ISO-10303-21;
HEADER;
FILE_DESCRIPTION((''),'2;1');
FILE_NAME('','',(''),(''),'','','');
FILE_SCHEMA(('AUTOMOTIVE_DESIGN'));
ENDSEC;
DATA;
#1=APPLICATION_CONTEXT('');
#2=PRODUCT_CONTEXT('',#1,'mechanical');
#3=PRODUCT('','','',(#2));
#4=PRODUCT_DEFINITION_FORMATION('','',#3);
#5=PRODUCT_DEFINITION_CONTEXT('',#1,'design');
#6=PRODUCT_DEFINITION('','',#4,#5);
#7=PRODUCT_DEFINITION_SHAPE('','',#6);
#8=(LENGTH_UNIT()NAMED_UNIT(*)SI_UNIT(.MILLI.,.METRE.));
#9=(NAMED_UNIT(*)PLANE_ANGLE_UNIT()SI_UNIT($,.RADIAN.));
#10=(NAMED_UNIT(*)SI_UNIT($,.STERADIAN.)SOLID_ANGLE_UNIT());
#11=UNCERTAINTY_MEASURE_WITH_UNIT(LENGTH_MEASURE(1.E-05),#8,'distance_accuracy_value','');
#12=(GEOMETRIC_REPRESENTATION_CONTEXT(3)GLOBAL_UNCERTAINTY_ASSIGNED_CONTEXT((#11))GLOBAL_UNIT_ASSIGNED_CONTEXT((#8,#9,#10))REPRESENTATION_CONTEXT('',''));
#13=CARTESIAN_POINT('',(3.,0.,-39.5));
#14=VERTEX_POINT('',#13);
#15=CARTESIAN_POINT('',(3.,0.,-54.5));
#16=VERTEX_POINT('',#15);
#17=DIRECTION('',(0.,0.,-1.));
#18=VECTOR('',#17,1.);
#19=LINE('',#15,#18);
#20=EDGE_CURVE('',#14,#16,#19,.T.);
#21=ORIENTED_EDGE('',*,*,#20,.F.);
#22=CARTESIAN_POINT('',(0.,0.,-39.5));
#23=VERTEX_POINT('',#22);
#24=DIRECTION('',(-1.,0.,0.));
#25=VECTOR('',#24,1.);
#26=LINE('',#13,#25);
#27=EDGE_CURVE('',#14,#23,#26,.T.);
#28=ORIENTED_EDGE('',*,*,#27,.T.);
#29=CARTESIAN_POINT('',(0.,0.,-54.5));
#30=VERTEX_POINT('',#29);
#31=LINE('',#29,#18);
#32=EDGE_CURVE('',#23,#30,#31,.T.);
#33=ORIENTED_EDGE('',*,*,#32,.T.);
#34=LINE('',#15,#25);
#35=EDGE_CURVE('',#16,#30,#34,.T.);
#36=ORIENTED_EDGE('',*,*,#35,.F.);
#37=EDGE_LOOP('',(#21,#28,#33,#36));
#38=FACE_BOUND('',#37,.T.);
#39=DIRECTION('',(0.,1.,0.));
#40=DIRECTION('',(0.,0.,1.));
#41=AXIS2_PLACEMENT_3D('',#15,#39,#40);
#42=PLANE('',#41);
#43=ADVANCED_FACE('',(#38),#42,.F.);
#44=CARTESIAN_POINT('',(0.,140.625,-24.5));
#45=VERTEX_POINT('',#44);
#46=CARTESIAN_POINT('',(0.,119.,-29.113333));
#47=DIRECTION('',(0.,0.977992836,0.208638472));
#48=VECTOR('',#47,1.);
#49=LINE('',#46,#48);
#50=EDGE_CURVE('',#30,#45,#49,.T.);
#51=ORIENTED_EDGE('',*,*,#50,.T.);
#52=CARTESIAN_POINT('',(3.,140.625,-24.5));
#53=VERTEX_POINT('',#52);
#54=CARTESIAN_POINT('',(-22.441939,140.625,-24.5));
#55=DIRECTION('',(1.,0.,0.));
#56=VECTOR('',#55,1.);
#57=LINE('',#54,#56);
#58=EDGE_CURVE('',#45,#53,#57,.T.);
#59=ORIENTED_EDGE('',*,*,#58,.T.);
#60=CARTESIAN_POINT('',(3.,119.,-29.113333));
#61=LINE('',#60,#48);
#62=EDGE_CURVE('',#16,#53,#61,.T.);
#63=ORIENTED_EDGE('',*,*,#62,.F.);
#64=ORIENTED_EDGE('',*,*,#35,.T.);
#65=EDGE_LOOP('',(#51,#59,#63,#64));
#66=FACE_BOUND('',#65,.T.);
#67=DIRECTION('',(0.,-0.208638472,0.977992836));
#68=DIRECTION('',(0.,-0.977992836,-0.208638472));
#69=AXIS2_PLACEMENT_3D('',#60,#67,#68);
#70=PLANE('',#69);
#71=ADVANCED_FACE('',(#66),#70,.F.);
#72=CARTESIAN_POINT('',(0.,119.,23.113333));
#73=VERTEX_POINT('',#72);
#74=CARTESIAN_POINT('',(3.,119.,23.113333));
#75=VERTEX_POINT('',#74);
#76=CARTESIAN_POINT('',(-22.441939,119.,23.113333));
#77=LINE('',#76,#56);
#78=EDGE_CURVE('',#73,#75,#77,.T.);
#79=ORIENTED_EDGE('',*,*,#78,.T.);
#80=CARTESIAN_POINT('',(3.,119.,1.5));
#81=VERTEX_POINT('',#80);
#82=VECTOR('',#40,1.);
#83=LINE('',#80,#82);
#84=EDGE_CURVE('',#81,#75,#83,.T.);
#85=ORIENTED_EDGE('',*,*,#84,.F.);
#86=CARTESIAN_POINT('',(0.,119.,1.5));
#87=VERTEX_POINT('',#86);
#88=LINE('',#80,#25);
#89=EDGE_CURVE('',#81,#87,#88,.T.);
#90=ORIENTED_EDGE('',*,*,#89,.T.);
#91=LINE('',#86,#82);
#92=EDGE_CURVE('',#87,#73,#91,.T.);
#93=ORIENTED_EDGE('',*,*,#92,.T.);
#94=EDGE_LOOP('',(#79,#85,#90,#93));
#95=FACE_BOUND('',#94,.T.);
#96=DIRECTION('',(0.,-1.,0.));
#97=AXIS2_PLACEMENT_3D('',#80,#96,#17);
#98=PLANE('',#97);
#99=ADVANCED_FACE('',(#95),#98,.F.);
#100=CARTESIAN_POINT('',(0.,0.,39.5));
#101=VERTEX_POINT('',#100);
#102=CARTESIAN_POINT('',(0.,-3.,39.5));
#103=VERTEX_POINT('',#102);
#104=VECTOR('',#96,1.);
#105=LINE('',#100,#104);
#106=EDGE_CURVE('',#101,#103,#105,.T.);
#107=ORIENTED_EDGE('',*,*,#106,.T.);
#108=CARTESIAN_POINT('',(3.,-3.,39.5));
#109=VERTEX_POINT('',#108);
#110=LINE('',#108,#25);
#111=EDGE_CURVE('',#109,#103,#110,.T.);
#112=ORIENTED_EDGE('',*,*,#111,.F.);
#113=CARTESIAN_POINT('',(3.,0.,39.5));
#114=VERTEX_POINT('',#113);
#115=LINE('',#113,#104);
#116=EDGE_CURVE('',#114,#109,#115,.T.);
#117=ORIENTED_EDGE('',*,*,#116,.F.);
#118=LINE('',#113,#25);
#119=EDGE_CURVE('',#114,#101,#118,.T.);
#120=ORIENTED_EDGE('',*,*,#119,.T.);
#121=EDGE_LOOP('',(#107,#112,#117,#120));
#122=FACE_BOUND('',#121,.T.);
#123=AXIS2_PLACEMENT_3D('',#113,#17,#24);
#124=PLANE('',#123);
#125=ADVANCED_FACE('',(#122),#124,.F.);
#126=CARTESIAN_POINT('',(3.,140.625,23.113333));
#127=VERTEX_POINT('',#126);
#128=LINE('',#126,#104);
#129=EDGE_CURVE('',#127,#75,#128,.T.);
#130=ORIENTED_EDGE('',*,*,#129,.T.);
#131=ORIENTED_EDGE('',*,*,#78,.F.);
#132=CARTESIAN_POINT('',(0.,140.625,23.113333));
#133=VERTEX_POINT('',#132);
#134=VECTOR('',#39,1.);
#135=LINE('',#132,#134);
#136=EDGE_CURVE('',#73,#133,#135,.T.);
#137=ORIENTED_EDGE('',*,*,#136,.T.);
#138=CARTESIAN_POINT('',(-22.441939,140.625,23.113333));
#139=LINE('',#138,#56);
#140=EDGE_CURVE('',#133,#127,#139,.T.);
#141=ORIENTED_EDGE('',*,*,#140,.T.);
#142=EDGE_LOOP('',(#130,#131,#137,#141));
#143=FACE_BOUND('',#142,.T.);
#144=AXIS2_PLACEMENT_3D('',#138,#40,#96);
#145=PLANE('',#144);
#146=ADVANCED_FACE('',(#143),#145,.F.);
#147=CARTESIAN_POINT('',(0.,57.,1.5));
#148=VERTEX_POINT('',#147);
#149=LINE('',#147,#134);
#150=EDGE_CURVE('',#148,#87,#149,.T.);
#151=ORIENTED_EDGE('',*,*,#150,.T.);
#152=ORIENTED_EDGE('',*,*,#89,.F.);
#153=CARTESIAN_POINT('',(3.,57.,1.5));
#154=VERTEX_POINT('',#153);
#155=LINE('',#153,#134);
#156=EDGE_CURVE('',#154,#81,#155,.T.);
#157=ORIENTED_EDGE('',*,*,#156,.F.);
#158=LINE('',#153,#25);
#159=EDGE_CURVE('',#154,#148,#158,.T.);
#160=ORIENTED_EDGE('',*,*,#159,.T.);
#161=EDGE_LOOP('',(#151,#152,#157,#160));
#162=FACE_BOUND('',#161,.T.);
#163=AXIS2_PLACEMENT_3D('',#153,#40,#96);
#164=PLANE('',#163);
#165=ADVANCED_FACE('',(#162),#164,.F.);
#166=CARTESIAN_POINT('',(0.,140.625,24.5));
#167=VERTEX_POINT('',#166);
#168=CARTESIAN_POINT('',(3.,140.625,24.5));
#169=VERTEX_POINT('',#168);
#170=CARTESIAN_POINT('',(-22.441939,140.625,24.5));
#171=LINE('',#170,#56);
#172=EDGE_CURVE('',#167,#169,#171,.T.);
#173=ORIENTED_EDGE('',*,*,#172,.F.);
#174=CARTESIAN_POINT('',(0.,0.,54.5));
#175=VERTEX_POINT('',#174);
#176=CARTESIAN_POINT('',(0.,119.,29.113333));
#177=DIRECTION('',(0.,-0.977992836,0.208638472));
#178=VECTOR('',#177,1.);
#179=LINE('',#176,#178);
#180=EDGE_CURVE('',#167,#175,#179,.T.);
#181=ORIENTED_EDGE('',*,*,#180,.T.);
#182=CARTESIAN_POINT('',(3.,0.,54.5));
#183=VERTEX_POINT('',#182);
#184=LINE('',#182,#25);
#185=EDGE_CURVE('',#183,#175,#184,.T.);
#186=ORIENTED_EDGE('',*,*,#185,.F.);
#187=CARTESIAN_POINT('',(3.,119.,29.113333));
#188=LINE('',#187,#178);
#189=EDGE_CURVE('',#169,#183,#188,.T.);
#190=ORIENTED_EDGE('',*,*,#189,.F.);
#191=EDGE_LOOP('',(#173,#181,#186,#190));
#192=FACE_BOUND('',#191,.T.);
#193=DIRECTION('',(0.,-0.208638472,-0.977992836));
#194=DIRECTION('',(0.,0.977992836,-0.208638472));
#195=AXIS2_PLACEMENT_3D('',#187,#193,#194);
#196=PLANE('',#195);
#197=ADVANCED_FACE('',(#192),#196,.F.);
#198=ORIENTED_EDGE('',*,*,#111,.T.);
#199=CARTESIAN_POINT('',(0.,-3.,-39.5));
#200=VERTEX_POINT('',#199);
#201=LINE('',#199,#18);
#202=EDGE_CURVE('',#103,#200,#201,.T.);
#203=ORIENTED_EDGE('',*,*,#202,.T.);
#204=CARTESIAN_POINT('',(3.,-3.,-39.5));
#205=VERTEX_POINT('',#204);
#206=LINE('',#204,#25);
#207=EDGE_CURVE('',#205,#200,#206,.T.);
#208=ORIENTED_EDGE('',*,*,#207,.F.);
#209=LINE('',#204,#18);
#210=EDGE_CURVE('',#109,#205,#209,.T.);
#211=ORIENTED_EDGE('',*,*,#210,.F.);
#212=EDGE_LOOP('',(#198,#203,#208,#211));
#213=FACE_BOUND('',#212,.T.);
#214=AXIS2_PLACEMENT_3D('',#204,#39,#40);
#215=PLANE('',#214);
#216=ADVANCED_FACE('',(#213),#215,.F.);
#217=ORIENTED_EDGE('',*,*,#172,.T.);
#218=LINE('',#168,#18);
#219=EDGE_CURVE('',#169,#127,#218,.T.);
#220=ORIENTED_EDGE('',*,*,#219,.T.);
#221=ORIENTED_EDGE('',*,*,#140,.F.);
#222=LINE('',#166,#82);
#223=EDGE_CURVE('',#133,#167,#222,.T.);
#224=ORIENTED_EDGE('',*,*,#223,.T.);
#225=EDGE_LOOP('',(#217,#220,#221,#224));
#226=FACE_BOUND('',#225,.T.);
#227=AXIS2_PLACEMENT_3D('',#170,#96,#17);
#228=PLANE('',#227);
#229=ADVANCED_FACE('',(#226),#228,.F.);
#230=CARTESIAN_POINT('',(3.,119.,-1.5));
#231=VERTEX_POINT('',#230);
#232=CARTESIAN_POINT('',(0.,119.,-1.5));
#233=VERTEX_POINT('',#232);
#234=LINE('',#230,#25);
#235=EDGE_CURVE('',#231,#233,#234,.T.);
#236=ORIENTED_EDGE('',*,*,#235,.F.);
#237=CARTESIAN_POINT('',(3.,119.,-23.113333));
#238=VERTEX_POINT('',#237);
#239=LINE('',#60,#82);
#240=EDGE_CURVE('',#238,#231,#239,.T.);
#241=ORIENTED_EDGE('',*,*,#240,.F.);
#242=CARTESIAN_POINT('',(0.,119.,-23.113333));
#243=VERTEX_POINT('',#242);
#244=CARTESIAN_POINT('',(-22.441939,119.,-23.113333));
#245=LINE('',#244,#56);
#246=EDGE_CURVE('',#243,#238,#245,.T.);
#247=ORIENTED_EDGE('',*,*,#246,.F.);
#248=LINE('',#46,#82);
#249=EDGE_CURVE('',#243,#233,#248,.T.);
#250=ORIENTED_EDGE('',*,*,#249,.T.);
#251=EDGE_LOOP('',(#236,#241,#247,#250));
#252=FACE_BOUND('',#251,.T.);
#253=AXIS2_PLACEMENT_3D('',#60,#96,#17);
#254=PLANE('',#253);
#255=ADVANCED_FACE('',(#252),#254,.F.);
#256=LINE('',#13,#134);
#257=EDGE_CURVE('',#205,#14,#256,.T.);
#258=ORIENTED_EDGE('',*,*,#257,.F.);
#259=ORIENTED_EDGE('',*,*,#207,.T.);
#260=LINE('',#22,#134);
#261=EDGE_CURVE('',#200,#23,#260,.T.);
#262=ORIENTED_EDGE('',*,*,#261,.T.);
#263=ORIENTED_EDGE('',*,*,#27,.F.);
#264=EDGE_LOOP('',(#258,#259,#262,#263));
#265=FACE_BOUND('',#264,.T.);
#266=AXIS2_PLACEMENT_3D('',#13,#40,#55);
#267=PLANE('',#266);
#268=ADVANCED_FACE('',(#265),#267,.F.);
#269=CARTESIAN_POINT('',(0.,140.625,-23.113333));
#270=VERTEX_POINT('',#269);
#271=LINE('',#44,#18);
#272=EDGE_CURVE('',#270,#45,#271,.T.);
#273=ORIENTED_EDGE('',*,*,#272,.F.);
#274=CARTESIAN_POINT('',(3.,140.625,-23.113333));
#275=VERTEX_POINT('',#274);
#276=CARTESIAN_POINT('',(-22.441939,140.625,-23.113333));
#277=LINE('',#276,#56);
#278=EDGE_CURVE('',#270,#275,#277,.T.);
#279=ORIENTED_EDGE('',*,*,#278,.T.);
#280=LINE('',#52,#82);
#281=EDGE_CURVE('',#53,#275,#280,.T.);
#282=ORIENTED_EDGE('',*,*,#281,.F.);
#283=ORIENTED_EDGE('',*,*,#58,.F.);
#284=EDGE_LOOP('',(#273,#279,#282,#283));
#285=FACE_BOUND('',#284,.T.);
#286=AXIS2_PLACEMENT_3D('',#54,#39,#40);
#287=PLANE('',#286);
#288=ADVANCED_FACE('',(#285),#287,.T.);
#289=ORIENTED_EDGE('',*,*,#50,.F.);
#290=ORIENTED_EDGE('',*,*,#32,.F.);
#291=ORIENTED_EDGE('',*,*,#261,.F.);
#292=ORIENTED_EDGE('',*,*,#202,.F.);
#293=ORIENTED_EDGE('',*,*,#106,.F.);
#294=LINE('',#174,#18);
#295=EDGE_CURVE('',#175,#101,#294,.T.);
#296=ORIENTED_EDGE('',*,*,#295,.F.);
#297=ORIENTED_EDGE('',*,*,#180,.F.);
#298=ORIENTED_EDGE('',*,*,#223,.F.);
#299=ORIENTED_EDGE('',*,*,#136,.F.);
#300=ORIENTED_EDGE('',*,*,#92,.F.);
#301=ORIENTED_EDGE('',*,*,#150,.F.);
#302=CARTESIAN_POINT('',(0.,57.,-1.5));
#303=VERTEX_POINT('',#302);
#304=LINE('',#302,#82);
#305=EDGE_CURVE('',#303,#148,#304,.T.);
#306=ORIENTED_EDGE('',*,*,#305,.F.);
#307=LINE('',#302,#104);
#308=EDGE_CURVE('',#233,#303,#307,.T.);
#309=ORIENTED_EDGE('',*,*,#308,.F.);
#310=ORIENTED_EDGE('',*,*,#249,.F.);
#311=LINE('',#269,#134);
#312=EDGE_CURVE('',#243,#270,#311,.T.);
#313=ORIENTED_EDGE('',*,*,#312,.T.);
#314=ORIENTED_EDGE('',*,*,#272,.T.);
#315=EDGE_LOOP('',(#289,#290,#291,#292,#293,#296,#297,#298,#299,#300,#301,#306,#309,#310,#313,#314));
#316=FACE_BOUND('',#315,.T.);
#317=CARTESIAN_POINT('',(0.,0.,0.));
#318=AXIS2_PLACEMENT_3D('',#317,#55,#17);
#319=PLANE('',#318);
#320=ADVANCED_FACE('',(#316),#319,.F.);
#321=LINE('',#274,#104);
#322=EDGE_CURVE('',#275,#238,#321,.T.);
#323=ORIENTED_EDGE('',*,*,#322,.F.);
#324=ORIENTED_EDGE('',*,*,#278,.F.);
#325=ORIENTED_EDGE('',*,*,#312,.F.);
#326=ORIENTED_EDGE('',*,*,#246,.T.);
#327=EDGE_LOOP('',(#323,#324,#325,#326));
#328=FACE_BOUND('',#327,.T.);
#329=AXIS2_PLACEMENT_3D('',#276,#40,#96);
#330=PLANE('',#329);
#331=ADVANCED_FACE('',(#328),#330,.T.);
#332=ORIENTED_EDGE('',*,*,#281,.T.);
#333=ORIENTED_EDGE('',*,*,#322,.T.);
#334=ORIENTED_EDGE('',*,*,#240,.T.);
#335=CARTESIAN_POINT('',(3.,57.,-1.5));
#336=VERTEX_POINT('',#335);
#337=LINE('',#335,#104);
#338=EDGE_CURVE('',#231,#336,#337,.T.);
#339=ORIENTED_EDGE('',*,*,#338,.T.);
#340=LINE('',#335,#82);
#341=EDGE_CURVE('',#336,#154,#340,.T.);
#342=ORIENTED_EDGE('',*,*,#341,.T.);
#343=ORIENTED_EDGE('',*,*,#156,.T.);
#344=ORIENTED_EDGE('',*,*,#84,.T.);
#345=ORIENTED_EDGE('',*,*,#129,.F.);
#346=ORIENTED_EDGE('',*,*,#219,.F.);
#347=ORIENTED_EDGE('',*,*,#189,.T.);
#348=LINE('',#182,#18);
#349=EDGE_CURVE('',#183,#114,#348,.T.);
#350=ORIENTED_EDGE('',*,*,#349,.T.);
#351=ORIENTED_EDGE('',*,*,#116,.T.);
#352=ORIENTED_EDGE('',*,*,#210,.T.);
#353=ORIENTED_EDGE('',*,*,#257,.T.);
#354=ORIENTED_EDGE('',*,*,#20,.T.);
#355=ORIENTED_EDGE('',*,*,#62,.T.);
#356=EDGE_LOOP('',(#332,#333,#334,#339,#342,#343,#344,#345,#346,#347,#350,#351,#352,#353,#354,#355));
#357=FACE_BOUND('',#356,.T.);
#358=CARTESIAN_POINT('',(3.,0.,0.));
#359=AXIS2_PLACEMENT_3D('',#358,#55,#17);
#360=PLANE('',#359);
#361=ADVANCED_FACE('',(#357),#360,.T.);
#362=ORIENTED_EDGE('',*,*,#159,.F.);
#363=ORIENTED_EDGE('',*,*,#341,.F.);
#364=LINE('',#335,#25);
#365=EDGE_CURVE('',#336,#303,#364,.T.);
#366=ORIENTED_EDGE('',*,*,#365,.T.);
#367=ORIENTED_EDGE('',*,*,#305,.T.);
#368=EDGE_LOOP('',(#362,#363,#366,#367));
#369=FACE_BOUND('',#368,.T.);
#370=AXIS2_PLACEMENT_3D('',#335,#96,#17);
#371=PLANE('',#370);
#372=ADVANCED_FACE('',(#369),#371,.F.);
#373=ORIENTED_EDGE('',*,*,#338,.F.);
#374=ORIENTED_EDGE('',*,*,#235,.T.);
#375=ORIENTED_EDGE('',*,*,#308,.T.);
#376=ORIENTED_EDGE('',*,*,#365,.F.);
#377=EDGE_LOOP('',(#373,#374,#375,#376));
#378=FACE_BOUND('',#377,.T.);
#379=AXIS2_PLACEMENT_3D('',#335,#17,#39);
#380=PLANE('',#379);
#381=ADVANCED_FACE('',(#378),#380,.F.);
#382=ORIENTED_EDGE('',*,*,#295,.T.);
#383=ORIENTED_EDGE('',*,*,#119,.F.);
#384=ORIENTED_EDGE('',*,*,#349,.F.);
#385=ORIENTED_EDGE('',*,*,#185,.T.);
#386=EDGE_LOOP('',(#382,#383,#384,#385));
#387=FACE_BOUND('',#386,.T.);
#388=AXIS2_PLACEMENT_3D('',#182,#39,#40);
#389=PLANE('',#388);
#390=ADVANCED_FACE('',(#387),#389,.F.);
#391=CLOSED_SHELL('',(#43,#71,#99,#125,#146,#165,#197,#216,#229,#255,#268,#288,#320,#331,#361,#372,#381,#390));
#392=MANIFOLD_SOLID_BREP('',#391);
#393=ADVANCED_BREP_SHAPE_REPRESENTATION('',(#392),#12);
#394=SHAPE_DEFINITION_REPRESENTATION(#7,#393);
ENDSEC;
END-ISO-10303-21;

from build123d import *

# Parameters (mm, degrees)
EXTRUDE_1_DEPTH     = 3
BOSS_EXTRUDE1_DEPTH = 3


with BuildPart() as part:
    # Эскиз1 → Бобышка-Вытянуть1 (new body)
    with BuildSketch(Plane(origin=(0, 0, 0), x_dir=(0, 0, -1), z_dir=(1, 0, 0))):
        Polygon((29.113333333, 119), (54.5, 0), (39.5, 0), (39.5, -3), (-39.5, -3), (-39.5, 0), (-54.5, 0), (-29.113333333, 119), (-1.5, 119), (-1.5, 57), (1.5, 57), (1.5, 119), align=None)
    extrude(amount=EXTRUDE_1_DEPTH)

    # Sketch1 → Boss-Extrude1 (add)
    with BuildSketch(Plane(origin=(3, 0, 0), x_dir=(0, 0, -1), z_dir=(1, 0, 0))):
        Polygon((-29.113333333, 119), (-24.5, 140.625), (-23.113333333, 140.625), (-23.113333333, 119), align=None)
        Polygon((29.113333333, 119), (24.5, 140.625), (23.113333333, 140.625), (23.113333333, 119), align=None)
    extrude(amount=-BOSS_EXTRUDE1_DEPTH)


solid = part.part
